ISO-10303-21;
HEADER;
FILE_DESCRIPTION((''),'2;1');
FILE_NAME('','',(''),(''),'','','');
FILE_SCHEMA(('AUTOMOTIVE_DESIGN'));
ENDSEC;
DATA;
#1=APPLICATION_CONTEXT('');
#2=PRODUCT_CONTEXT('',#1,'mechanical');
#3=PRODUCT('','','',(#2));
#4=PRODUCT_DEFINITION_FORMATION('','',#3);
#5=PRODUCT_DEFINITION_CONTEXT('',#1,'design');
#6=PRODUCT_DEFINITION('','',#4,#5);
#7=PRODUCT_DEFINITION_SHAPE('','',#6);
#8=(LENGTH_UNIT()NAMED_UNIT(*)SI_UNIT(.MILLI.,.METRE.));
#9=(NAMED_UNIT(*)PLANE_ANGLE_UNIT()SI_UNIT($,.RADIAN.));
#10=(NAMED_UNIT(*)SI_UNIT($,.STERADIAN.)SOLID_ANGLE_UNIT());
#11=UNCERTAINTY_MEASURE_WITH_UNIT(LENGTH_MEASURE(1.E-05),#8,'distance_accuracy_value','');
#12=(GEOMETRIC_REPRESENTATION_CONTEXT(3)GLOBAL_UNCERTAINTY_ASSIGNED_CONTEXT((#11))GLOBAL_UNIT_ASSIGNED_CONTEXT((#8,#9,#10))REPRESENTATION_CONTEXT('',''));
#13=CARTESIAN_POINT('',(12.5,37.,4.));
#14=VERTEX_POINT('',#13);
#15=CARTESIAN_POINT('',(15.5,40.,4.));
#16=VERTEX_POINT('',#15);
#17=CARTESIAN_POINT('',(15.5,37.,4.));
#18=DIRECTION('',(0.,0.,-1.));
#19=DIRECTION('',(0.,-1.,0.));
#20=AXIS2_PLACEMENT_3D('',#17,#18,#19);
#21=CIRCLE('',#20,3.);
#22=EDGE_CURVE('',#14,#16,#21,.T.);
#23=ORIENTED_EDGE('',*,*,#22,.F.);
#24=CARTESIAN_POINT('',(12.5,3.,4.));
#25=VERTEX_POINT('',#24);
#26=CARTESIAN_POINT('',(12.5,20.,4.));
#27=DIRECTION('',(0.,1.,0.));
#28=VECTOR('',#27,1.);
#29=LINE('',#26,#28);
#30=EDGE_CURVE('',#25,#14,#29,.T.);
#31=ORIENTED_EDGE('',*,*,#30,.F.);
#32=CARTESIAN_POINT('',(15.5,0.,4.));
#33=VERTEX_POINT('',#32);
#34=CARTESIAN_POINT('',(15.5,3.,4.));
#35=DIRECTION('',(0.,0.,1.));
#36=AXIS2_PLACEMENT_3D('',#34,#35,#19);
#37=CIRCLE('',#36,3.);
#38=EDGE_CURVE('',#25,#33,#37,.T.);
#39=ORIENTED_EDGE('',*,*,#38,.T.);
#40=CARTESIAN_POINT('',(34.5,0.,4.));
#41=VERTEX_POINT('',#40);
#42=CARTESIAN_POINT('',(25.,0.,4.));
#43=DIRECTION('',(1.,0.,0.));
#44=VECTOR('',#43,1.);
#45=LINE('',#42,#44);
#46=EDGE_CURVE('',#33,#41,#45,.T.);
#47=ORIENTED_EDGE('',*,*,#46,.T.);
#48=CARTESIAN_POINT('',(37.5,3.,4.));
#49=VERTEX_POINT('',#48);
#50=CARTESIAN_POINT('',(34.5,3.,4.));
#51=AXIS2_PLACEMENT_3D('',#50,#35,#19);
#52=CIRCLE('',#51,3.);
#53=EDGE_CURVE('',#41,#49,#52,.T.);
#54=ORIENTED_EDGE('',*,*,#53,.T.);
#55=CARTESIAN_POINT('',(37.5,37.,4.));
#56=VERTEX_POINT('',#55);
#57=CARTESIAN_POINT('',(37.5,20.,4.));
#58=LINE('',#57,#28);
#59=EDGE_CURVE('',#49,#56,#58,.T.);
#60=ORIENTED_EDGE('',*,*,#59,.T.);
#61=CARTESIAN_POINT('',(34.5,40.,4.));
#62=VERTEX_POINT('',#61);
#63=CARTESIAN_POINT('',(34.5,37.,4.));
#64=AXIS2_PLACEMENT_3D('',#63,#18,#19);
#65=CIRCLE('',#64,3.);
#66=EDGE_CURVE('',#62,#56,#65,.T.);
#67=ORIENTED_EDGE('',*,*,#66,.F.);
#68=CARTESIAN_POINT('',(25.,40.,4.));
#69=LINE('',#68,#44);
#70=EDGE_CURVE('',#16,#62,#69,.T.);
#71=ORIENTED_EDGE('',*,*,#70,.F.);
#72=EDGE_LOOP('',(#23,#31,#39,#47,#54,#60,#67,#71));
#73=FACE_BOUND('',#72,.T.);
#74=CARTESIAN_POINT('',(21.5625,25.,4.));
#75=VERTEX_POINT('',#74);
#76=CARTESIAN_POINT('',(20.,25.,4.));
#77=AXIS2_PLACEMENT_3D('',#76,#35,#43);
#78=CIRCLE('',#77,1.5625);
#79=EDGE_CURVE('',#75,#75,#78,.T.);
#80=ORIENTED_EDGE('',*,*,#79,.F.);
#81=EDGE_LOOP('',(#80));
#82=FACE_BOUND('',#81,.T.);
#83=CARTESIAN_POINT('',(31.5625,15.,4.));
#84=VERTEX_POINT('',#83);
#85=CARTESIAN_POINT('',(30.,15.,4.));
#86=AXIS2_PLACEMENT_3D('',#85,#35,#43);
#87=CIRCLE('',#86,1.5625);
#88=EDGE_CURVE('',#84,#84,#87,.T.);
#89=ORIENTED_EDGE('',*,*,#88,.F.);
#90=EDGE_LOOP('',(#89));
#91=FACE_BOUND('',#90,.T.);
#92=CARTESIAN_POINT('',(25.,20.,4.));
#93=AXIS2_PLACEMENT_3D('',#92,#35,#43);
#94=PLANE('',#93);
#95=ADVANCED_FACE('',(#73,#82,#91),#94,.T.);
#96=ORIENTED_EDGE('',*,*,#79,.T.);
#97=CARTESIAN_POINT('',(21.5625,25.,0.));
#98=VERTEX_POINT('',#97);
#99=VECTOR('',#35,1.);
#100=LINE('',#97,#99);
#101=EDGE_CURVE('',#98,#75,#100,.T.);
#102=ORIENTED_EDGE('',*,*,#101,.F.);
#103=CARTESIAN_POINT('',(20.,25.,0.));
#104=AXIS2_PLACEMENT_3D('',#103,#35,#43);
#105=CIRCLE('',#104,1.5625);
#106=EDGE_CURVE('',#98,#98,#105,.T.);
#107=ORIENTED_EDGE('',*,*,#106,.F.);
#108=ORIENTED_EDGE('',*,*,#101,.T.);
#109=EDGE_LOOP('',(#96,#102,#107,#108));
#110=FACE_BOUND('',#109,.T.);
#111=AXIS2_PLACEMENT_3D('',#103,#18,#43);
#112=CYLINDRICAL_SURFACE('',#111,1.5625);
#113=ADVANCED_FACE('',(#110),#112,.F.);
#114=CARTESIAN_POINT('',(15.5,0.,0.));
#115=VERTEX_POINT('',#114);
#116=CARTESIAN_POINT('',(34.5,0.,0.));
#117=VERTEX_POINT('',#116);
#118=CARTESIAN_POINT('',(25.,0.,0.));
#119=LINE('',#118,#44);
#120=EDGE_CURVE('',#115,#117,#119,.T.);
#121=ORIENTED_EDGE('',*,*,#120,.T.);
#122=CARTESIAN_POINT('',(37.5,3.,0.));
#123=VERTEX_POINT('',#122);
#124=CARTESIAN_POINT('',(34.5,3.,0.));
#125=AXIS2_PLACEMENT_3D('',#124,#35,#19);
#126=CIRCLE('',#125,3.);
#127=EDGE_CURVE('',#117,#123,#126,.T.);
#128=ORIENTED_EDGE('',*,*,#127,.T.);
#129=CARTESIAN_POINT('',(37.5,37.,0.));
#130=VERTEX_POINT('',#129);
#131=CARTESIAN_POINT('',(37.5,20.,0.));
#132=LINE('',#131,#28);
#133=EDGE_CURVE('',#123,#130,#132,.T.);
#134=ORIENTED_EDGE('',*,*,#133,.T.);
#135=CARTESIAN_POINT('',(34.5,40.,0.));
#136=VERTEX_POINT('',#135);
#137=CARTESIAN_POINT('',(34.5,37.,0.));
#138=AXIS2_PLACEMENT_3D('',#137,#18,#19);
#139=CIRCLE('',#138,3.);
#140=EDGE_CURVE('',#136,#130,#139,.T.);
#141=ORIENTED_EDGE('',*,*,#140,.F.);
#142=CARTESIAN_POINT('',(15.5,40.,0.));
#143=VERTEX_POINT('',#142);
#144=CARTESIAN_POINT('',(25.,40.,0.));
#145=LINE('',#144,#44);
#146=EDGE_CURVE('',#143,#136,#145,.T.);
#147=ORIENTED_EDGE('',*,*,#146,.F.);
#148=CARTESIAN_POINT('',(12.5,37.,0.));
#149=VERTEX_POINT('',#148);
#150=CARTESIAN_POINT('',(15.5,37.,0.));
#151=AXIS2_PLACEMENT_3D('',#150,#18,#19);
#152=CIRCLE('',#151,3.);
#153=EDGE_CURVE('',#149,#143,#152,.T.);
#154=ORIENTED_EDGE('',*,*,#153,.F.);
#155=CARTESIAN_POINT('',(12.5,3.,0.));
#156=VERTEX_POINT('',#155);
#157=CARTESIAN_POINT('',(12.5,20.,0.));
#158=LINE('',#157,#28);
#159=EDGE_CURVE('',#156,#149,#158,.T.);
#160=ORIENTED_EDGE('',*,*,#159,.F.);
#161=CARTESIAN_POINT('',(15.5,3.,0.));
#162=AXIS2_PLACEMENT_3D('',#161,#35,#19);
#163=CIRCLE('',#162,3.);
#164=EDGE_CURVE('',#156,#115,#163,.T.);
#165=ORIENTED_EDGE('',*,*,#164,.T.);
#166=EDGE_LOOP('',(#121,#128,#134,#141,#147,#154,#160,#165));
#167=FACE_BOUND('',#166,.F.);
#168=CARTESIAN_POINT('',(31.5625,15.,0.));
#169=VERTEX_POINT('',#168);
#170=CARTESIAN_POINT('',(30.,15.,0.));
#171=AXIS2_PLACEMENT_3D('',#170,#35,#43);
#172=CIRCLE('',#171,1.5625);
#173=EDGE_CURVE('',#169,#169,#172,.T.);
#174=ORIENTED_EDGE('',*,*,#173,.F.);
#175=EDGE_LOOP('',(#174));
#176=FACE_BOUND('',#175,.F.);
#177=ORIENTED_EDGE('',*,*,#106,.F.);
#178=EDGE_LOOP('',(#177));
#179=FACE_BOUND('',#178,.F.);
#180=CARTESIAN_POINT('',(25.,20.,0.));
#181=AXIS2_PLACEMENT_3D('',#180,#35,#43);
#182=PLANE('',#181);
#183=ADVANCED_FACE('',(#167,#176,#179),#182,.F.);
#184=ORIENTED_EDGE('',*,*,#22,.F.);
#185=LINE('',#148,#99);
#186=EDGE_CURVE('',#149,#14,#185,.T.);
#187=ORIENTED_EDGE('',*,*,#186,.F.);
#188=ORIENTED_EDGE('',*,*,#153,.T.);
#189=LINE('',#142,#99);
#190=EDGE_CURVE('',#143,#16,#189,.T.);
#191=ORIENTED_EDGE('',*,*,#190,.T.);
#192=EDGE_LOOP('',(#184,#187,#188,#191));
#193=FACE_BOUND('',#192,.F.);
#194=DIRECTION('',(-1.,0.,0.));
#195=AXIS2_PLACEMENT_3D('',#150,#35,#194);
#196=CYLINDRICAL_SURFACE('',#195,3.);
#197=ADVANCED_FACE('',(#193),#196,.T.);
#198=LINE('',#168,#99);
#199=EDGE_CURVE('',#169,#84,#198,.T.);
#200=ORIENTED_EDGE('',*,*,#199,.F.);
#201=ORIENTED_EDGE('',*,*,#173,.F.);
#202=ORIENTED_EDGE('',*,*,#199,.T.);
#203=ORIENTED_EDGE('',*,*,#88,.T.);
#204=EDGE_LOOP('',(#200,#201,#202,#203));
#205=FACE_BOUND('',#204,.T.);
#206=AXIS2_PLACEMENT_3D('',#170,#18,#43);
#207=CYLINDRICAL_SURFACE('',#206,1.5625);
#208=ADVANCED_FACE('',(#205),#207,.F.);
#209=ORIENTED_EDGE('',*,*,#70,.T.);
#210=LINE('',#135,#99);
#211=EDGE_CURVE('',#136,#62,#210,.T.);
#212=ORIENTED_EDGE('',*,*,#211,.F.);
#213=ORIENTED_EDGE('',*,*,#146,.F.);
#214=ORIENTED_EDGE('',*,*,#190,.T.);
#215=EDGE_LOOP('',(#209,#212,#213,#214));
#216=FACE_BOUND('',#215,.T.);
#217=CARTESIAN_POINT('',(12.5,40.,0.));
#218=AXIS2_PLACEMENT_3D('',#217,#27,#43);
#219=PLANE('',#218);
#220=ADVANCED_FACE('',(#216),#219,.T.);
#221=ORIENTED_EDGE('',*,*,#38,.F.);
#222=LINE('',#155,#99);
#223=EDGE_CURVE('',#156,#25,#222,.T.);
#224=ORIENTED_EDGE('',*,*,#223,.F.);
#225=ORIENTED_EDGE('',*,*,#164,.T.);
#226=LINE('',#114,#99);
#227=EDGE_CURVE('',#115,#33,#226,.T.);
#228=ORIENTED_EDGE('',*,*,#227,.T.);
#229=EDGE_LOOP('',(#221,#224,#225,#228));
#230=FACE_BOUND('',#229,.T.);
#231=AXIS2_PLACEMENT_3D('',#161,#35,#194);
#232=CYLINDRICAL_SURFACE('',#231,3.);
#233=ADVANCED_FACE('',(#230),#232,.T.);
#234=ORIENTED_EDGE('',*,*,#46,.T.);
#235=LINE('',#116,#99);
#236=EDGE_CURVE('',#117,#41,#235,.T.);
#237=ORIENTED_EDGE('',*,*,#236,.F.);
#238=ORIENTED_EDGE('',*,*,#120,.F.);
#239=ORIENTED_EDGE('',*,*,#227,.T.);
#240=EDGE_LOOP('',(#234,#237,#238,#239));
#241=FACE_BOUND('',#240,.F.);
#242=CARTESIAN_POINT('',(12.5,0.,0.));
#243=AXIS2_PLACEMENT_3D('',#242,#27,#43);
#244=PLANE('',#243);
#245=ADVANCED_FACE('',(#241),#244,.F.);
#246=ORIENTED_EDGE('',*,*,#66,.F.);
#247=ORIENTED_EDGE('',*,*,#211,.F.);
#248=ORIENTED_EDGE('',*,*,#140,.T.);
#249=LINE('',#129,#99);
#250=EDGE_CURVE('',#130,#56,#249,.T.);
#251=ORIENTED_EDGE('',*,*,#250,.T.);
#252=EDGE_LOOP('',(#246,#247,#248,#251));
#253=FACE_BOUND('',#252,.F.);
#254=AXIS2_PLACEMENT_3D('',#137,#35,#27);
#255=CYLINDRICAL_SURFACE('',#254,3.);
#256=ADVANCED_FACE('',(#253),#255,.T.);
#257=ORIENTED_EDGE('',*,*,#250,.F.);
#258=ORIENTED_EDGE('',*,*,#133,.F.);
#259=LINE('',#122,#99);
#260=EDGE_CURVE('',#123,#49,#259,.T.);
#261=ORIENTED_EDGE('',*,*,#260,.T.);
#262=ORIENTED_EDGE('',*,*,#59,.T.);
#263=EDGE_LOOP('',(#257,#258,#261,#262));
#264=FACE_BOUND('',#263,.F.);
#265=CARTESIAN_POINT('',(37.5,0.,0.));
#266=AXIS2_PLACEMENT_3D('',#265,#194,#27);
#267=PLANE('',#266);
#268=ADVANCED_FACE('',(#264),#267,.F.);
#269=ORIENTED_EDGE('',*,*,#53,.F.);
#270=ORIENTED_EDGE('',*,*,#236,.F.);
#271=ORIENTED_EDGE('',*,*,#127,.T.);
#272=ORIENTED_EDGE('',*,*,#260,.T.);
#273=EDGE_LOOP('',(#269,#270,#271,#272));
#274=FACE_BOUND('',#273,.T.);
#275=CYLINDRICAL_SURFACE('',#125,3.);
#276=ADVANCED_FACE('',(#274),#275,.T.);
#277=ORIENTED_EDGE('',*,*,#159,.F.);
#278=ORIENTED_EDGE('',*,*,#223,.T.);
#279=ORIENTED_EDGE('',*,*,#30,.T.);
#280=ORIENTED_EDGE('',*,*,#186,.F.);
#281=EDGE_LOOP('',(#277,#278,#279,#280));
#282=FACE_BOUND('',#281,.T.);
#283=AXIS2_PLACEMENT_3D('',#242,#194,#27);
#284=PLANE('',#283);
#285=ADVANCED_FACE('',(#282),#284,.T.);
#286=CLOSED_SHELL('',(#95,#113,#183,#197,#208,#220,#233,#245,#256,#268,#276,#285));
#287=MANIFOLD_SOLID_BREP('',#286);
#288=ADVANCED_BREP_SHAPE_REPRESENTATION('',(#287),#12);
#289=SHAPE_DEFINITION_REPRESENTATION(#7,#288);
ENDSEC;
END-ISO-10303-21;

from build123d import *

# Parameters (mm, degrees)
SKETCH_W  = 25
SKETCH_H  = 40
SKETCH_R  = 1.5625
PAD_DEPTH = 4
FILLET_R  = 3


with BuildPart() as part:
    # Sketch → Pad (new body)
    with BuildSketch(Plane.XY):
        with Locations((25, 20)):
            Rectangle(SKETCH_W, SKETCH_H)
        with Locations((20, 25)):
            Circle(SKETCH_R, mode=Mode.SUBTRACT)
        with Locations((30, 15)):
            Circle(SKETCH_R, mode=Mode.SUBTRACT)
    extrude(amount=PAD_DEPTH)

    # Fillet
    fillet_edges = [part.edges().sort_by_distance(p)[0] for p in [
        (12.5, 0, 2),
        (12.5, 40, 2),
        (37.5, 40, 2),
        (37.5, 0, 2),
    ]]
    fillet(fillet_edges, radius=FILLET_R)


solid = part.part
